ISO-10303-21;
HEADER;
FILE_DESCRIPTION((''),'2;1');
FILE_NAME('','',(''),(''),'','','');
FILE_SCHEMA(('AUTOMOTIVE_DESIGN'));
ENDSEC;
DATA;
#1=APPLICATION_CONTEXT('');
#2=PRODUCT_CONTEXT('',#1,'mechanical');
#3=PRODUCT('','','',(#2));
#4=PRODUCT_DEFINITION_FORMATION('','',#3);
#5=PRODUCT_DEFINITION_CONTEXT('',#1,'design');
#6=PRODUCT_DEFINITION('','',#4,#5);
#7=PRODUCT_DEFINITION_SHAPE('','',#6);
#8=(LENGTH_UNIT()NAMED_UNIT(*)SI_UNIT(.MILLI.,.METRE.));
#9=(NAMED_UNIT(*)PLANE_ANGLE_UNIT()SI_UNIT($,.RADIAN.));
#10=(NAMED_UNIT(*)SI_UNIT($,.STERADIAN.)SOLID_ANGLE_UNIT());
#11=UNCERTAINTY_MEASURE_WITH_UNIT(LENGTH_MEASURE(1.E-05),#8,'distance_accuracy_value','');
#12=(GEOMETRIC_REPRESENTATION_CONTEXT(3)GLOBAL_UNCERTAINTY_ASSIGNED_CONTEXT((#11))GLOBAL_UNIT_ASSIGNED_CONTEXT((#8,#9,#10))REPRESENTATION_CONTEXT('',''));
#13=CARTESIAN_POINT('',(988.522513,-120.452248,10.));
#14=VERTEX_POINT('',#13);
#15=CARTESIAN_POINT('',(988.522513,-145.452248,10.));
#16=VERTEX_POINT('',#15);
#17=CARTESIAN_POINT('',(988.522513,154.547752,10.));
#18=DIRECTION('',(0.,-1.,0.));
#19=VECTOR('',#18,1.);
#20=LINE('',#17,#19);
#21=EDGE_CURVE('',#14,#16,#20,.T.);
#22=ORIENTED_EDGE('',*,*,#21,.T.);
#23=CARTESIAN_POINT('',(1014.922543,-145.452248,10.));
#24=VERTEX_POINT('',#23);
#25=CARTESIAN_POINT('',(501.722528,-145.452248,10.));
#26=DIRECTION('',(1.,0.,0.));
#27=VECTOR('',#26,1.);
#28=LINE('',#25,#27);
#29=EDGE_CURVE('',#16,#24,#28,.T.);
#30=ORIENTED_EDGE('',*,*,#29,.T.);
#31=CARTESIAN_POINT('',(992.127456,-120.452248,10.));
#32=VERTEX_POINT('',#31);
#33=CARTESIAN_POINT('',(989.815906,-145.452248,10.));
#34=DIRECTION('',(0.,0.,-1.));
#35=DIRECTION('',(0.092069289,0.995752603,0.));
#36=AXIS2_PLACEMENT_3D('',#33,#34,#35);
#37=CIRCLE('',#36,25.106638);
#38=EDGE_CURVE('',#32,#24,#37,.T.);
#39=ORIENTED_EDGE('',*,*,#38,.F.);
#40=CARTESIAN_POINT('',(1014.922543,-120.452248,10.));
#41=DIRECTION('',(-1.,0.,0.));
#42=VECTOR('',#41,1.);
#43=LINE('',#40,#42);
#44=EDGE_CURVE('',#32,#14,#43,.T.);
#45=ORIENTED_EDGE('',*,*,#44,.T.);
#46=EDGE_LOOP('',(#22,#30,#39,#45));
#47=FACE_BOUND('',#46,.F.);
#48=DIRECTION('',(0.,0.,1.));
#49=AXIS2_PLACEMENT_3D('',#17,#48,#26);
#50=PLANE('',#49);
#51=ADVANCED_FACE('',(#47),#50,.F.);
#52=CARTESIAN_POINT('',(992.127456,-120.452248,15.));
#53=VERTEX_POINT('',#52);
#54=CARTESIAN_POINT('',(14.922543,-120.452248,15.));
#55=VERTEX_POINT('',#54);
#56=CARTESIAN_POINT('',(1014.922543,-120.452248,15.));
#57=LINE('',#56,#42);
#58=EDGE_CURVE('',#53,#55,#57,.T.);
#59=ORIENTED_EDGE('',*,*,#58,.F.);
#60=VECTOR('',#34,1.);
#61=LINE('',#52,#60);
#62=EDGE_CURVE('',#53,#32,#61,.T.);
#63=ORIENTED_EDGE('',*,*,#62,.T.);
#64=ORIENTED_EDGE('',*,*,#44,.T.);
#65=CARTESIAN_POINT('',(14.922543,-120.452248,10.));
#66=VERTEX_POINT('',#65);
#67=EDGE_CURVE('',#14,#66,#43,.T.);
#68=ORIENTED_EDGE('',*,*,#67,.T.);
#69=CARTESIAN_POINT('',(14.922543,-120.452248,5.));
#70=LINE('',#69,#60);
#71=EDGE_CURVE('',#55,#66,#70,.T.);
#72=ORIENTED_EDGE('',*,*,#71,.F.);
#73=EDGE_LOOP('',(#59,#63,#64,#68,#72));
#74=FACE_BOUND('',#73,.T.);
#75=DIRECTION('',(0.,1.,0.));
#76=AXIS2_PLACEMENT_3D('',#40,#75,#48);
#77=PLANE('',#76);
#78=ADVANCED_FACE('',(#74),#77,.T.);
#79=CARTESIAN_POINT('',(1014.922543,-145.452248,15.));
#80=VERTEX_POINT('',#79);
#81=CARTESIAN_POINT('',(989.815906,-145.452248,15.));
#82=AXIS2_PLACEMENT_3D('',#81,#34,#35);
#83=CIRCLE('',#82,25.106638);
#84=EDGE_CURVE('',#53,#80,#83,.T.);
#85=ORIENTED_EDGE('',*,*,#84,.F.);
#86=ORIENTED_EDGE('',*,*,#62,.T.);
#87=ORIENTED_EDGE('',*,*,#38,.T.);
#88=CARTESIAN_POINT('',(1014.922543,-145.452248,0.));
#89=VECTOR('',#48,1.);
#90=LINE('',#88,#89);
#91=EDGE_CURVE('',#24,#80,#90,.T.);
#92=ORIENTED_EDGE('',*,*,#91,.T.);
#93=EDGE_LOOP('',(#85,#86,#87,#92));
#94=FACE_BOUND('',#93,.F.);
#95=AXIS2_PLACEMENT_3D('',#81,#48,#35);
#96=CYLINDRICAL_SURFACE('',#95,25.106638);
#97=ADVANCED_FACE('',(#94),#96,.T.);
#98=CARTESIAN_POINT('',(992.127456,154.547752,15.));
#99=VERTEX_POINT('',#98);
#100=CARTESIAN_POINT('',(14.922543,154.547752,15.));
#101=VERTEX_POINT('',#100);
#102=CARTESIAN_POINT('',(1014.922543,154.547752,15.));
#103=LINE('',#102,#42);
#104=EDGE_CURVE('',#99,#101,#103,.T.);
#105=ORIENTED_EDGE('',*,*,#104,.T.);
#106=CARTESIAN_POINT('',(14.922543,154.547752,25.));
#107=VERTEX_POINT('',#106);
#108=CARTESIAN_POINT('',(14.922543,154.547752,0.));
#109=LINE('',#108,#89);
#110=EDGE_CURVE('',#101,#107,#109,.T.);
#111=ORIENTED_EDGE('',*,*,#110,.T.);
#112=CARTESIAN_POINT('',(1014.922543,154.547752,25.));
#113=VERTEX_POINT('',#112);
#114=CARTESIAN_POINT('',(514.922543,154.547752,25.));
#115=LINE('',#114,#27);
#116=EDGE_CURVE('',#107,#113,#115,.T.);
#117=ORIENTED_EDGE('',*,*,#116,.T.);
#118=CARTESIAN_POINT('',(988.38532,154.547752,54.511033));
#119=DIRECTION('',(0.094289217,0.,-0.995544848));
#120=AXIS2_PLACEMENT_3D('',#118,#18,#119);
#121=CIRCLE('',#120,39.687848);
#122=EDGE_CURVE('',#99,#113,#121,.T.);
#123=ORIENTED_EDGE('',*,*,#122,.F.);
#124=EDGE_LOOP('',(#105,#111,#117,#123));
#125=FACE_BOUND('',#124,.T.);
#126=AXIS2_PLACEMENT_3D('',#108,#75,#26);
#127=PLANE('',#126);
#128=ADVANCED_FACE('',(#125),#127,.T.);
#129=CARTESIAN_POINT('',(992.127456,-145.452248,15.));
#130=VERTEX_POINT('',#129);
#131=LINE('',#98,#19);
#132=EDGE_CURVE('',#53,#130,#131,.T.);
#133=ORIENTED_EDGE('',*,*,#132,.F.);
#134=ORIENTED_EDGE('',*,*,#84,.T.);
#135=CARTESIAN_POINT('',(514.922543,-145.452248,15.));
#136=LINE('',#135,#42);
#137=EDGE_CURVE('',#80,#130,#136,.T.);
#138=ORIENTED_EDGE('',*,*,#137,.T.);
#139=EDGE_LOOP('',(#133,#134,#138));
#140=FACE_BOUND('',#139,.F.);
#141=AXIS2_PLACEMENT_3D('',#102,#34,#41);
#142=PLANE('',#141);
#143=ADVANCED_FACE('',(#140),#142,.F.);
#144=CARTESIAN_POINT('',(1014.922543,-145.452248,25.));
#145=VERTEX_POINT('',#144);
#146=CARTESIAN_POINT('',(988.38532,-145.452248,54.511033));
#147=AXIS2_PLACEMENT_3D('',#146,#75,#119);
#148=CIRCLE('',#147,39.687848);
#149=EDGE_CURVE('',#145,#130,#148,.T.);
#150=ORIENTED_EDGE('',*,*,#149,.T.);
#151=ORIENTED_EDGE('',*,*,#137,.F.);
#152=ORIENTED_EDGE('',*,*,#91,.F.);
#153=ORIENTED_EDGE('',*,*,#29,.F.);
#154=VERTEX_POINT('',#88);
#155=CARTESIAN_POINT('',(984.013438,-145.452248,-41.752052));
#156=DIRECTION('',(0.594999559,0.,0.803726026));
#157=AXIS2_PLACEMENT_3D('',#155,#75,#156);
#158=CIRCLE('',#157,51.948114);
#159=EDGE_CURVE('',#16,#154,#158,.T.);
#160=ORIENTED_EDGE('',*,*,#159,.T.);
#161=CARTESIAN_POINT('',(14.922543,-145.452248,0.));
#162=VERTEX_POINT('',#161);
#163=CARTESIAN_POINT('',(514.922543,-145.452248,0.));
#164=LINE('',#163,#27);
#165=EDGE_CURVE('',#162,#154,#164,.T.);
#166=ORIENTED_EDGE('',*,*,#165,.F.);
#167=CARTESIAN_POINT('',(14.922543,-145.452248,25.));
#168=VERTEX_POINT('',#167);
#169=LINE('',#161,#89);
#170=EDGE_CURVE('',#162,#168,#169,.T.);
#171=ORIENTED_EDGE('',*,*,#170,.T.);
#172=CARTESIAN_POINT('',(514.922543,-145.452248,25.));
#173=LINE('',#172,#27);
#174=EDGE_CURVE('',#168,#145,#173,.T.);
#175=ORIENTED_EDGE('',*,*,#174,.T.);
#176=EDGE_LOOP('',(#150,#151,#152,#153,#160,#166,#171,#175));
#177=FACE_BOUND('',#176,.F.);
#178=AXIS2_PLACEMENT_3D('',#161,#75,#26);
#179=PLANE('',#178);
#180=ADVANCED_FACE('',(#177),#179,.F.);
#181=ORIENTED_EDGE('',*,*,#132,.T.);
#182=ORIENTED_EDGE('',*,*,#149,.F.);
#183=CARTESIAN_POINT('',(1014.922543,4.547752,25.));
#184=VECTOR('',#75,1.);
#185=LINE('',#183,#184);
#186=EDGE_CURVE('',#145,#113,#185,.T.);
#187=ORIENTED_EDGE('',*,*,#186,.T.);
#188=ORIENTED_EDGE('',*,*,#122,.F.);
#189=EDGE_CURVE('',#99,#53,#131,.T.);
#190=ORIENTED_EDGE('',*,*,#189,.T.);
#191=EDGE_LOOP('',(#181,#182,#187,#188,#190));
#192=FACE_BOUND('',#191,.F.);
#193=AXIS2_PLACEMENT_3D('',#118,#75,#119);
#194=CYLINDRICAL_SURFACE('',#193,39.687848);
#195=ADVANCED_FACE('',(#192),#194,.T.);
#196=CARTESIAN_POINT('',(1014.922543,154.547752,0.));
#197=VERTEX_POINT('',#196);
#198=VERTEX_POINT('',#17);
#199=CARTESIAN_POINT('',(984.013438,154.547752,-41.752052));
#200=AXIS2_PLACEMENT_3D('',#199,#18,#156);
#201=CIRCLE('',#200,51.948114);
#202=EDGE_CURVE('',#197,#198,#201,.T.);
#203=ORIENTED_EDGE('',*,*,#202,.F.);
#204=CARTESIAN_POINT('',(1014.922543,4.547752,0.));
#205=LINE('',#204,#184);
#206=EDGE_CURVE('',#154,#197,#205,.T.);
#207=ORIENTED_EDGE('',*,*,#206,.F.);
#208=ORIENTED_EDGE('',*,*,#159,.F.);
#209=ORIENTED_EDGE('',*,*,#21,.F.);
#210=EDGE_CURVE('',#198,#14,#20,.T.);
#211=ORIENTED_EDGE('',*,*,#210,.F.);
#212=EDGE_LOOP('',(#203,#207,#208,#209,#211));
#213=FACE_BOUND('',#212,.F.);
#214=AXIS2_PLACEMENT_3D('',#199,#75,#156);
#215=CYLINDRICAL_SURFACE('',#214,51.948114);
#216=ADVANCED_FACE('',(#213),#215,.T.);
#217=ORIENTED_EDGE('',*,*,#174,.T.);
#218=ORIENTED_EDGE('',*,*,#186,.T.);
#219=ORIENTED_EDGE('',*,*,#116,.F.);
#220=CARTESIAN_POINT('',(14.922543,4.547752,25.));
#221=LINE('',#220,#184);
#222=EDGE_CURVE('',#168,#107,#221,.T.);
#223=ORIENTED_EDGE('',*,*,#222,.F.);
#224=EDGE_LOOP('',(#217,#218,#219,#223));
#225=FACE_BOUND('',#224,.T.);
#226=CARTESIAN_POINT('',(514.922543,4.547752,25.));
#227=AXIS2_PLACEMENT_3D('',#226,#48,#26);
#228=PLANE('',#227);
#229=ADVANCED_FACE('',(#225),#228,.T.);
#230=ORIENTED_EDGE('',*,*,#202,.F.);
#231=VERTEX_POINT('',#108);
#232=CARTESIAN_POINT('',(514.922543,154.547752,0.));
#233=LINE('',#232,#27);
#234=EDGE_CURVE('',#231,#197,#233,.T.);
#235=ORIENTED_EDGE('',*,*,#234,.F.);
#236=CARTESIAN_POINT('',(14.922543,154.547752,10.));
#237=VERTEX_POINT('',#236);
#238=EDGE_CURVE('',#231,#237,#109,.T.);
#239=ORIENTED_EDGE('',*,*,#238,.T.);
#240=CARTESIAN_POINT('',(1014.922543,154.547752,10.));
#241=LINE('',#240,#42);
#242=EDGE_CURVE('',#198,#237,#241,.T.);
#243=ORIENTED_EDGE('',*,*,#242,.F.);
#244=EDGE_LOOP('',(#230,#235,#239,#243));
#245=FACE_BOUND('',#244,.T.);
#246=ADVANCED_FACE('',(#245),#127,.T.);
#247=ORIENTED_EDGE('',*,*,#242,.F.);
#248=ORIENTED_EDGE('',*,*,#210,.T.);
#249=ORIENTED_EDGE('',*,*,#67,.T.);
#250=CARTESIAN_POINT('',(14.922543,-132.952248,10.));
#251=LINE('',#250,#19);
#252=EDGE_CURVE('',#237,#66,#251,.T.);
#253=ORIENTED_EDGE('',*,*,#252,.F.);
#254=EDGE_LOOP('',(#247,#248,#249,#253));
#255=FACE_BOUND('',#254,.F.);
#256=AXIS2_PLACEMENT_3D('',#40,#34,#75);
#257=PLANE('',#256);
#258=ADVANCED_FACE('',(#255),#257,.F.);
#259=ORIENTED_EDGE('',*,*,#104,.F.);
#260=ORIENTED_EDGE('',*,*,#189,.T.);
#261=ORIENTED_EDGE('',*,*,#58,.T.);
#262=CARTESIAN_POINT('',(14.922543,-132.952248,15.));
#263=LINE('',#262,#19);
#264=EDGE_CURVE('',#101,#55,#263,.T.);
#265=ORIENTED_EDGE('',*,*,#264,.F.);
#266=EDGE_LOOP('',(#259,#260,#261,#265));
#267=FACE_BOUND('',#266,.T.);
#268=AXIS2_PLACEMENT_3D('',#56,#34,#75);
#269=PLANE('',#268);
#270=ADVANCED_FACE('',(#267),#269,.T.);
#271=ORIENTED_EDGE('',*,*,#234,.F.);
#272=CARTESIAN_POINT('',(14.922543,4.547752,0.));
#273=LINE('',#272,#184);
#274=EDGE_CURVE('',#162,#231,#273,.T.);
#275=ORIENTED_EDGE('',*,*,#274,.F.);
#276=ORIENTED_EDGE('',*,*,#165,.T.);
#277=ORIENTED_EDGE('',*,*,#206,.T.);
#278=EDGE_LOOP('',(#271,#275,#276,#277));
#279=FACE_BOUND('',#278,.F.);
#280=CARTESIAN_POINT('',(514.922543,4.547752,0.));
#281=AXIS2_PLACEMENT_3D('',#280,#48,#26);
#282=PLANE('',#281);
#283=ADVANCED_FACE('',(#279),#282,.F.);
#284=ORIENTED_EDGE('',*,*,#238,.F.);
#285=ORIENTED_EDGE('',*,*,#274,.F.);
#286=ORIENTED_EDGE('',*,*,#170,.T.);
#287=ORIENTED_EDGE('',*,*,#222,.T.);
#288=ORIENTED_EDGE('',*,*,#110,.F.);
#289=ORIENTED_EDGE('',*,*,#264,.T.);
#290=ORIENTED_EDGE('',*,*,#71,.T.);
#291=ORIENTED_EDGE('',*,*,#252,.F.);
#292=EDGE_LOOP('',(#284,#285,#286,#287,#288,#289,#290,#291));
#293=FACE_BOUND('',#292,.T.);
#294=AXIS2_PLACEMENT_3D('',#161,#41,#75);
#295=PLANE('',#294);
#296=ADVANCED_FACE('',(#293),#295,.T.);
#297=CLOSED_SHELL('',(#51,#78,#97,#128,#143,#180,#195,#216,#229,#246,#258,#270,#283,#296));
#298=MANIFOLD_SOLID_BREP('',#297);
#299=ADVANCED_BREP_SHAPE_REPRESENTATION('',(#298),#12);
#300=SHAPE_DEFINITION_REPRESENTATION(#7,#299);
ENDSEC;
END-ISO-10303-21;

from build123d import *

# Parameters (mm, degrees)
F0_W     = 1000
F0_H     = 300
F1_DEPTH = 25
F2_W     = 275
F2_H     = 5
F3_DEPTH = 1000.001
F5_DEPTH = 300.001
F7_DEPTH = 300.001
F9_DEPTH = 5


with BuildPart() as f1:
    # F0 (on Top) → F1 (new body)
    with BuildSketch(Plane.XY):
        with Locations((514.9225434339, 4.54775244)):
            Rectangle(F0_W, F0_H)
    extrude(amount=F1_DEPTH)

    # F2 (on face) → F3 (cut, through all)
    with BuildSketch(Plane.YZ.offset(1014.9225434339)):
        with Locations((17.04775244, 12.5)):
            Rectangle(F2_W, F2_H)
    extrude(amount=-F3_DEPTH, mode=Mode.SUBTRACT)

    # F4 (on face) → F5 (cut, through all)
    with BuildSketch(Plane(origin=(0, 154.54775244, 0), x_dir=(-1, 0, 0), z_dir=(0, 1, 0))):
        with BuildLine():
            ThreePointArc((-992.1274558663, 15), (-1004.3292812217, 18.1666331145), (-1014.9225434339, 25))
            Line((-1014.9225434339, 25), (-1014.9225434339, 15))
            Line((-1014.9225434339, 15), (-992.1274558663, 15))
        make_face()
    extrude(amount=-F5_DEPTH, mode=Mode.SUBTRACT)

    # F6 (on face) → F7 (cut, through all)
    with BuildSketch(Plane(origin=(0, 154.54775244, 0), x_dir=(-1, 0, 0), z_dir=(0, 1, 0))):
        with BuildLine():
            ThreePointArc((-1014.9225434339, 0), (-1002.414847544, 6.8277253985), (-988.5225128069, 10))
            Line((-988.5225128069, 10), (-1014.9225434339, 10))
            Line((-1014.9225434339, 10), (-1014.9225434339, 0))
        make_face()
    extrude(amount=-F7_DEPTH, mode=Mode.SUBTRACT)

    # F8 (on face) → F9 (cut)
    with BuildSketch(Plane.XY.offset(15)):
        with BuildLine():
            ThreePointArc((992.1274558663, -120.45224756), (1008.3682439808, -128.5361604148), (1014.9225434339, -145.45224756))
            Line((1014.9225434339, -145.45224756), (1014.9225434339, -120.45224756))
            Line((1014.9225434339, -120.45224756), (992.1274558663, -120.45224756))
        make_face()
    extrude(amount=-F9_DEPTH, mode=Mode.SUBTRACT)


solid = f1.part
